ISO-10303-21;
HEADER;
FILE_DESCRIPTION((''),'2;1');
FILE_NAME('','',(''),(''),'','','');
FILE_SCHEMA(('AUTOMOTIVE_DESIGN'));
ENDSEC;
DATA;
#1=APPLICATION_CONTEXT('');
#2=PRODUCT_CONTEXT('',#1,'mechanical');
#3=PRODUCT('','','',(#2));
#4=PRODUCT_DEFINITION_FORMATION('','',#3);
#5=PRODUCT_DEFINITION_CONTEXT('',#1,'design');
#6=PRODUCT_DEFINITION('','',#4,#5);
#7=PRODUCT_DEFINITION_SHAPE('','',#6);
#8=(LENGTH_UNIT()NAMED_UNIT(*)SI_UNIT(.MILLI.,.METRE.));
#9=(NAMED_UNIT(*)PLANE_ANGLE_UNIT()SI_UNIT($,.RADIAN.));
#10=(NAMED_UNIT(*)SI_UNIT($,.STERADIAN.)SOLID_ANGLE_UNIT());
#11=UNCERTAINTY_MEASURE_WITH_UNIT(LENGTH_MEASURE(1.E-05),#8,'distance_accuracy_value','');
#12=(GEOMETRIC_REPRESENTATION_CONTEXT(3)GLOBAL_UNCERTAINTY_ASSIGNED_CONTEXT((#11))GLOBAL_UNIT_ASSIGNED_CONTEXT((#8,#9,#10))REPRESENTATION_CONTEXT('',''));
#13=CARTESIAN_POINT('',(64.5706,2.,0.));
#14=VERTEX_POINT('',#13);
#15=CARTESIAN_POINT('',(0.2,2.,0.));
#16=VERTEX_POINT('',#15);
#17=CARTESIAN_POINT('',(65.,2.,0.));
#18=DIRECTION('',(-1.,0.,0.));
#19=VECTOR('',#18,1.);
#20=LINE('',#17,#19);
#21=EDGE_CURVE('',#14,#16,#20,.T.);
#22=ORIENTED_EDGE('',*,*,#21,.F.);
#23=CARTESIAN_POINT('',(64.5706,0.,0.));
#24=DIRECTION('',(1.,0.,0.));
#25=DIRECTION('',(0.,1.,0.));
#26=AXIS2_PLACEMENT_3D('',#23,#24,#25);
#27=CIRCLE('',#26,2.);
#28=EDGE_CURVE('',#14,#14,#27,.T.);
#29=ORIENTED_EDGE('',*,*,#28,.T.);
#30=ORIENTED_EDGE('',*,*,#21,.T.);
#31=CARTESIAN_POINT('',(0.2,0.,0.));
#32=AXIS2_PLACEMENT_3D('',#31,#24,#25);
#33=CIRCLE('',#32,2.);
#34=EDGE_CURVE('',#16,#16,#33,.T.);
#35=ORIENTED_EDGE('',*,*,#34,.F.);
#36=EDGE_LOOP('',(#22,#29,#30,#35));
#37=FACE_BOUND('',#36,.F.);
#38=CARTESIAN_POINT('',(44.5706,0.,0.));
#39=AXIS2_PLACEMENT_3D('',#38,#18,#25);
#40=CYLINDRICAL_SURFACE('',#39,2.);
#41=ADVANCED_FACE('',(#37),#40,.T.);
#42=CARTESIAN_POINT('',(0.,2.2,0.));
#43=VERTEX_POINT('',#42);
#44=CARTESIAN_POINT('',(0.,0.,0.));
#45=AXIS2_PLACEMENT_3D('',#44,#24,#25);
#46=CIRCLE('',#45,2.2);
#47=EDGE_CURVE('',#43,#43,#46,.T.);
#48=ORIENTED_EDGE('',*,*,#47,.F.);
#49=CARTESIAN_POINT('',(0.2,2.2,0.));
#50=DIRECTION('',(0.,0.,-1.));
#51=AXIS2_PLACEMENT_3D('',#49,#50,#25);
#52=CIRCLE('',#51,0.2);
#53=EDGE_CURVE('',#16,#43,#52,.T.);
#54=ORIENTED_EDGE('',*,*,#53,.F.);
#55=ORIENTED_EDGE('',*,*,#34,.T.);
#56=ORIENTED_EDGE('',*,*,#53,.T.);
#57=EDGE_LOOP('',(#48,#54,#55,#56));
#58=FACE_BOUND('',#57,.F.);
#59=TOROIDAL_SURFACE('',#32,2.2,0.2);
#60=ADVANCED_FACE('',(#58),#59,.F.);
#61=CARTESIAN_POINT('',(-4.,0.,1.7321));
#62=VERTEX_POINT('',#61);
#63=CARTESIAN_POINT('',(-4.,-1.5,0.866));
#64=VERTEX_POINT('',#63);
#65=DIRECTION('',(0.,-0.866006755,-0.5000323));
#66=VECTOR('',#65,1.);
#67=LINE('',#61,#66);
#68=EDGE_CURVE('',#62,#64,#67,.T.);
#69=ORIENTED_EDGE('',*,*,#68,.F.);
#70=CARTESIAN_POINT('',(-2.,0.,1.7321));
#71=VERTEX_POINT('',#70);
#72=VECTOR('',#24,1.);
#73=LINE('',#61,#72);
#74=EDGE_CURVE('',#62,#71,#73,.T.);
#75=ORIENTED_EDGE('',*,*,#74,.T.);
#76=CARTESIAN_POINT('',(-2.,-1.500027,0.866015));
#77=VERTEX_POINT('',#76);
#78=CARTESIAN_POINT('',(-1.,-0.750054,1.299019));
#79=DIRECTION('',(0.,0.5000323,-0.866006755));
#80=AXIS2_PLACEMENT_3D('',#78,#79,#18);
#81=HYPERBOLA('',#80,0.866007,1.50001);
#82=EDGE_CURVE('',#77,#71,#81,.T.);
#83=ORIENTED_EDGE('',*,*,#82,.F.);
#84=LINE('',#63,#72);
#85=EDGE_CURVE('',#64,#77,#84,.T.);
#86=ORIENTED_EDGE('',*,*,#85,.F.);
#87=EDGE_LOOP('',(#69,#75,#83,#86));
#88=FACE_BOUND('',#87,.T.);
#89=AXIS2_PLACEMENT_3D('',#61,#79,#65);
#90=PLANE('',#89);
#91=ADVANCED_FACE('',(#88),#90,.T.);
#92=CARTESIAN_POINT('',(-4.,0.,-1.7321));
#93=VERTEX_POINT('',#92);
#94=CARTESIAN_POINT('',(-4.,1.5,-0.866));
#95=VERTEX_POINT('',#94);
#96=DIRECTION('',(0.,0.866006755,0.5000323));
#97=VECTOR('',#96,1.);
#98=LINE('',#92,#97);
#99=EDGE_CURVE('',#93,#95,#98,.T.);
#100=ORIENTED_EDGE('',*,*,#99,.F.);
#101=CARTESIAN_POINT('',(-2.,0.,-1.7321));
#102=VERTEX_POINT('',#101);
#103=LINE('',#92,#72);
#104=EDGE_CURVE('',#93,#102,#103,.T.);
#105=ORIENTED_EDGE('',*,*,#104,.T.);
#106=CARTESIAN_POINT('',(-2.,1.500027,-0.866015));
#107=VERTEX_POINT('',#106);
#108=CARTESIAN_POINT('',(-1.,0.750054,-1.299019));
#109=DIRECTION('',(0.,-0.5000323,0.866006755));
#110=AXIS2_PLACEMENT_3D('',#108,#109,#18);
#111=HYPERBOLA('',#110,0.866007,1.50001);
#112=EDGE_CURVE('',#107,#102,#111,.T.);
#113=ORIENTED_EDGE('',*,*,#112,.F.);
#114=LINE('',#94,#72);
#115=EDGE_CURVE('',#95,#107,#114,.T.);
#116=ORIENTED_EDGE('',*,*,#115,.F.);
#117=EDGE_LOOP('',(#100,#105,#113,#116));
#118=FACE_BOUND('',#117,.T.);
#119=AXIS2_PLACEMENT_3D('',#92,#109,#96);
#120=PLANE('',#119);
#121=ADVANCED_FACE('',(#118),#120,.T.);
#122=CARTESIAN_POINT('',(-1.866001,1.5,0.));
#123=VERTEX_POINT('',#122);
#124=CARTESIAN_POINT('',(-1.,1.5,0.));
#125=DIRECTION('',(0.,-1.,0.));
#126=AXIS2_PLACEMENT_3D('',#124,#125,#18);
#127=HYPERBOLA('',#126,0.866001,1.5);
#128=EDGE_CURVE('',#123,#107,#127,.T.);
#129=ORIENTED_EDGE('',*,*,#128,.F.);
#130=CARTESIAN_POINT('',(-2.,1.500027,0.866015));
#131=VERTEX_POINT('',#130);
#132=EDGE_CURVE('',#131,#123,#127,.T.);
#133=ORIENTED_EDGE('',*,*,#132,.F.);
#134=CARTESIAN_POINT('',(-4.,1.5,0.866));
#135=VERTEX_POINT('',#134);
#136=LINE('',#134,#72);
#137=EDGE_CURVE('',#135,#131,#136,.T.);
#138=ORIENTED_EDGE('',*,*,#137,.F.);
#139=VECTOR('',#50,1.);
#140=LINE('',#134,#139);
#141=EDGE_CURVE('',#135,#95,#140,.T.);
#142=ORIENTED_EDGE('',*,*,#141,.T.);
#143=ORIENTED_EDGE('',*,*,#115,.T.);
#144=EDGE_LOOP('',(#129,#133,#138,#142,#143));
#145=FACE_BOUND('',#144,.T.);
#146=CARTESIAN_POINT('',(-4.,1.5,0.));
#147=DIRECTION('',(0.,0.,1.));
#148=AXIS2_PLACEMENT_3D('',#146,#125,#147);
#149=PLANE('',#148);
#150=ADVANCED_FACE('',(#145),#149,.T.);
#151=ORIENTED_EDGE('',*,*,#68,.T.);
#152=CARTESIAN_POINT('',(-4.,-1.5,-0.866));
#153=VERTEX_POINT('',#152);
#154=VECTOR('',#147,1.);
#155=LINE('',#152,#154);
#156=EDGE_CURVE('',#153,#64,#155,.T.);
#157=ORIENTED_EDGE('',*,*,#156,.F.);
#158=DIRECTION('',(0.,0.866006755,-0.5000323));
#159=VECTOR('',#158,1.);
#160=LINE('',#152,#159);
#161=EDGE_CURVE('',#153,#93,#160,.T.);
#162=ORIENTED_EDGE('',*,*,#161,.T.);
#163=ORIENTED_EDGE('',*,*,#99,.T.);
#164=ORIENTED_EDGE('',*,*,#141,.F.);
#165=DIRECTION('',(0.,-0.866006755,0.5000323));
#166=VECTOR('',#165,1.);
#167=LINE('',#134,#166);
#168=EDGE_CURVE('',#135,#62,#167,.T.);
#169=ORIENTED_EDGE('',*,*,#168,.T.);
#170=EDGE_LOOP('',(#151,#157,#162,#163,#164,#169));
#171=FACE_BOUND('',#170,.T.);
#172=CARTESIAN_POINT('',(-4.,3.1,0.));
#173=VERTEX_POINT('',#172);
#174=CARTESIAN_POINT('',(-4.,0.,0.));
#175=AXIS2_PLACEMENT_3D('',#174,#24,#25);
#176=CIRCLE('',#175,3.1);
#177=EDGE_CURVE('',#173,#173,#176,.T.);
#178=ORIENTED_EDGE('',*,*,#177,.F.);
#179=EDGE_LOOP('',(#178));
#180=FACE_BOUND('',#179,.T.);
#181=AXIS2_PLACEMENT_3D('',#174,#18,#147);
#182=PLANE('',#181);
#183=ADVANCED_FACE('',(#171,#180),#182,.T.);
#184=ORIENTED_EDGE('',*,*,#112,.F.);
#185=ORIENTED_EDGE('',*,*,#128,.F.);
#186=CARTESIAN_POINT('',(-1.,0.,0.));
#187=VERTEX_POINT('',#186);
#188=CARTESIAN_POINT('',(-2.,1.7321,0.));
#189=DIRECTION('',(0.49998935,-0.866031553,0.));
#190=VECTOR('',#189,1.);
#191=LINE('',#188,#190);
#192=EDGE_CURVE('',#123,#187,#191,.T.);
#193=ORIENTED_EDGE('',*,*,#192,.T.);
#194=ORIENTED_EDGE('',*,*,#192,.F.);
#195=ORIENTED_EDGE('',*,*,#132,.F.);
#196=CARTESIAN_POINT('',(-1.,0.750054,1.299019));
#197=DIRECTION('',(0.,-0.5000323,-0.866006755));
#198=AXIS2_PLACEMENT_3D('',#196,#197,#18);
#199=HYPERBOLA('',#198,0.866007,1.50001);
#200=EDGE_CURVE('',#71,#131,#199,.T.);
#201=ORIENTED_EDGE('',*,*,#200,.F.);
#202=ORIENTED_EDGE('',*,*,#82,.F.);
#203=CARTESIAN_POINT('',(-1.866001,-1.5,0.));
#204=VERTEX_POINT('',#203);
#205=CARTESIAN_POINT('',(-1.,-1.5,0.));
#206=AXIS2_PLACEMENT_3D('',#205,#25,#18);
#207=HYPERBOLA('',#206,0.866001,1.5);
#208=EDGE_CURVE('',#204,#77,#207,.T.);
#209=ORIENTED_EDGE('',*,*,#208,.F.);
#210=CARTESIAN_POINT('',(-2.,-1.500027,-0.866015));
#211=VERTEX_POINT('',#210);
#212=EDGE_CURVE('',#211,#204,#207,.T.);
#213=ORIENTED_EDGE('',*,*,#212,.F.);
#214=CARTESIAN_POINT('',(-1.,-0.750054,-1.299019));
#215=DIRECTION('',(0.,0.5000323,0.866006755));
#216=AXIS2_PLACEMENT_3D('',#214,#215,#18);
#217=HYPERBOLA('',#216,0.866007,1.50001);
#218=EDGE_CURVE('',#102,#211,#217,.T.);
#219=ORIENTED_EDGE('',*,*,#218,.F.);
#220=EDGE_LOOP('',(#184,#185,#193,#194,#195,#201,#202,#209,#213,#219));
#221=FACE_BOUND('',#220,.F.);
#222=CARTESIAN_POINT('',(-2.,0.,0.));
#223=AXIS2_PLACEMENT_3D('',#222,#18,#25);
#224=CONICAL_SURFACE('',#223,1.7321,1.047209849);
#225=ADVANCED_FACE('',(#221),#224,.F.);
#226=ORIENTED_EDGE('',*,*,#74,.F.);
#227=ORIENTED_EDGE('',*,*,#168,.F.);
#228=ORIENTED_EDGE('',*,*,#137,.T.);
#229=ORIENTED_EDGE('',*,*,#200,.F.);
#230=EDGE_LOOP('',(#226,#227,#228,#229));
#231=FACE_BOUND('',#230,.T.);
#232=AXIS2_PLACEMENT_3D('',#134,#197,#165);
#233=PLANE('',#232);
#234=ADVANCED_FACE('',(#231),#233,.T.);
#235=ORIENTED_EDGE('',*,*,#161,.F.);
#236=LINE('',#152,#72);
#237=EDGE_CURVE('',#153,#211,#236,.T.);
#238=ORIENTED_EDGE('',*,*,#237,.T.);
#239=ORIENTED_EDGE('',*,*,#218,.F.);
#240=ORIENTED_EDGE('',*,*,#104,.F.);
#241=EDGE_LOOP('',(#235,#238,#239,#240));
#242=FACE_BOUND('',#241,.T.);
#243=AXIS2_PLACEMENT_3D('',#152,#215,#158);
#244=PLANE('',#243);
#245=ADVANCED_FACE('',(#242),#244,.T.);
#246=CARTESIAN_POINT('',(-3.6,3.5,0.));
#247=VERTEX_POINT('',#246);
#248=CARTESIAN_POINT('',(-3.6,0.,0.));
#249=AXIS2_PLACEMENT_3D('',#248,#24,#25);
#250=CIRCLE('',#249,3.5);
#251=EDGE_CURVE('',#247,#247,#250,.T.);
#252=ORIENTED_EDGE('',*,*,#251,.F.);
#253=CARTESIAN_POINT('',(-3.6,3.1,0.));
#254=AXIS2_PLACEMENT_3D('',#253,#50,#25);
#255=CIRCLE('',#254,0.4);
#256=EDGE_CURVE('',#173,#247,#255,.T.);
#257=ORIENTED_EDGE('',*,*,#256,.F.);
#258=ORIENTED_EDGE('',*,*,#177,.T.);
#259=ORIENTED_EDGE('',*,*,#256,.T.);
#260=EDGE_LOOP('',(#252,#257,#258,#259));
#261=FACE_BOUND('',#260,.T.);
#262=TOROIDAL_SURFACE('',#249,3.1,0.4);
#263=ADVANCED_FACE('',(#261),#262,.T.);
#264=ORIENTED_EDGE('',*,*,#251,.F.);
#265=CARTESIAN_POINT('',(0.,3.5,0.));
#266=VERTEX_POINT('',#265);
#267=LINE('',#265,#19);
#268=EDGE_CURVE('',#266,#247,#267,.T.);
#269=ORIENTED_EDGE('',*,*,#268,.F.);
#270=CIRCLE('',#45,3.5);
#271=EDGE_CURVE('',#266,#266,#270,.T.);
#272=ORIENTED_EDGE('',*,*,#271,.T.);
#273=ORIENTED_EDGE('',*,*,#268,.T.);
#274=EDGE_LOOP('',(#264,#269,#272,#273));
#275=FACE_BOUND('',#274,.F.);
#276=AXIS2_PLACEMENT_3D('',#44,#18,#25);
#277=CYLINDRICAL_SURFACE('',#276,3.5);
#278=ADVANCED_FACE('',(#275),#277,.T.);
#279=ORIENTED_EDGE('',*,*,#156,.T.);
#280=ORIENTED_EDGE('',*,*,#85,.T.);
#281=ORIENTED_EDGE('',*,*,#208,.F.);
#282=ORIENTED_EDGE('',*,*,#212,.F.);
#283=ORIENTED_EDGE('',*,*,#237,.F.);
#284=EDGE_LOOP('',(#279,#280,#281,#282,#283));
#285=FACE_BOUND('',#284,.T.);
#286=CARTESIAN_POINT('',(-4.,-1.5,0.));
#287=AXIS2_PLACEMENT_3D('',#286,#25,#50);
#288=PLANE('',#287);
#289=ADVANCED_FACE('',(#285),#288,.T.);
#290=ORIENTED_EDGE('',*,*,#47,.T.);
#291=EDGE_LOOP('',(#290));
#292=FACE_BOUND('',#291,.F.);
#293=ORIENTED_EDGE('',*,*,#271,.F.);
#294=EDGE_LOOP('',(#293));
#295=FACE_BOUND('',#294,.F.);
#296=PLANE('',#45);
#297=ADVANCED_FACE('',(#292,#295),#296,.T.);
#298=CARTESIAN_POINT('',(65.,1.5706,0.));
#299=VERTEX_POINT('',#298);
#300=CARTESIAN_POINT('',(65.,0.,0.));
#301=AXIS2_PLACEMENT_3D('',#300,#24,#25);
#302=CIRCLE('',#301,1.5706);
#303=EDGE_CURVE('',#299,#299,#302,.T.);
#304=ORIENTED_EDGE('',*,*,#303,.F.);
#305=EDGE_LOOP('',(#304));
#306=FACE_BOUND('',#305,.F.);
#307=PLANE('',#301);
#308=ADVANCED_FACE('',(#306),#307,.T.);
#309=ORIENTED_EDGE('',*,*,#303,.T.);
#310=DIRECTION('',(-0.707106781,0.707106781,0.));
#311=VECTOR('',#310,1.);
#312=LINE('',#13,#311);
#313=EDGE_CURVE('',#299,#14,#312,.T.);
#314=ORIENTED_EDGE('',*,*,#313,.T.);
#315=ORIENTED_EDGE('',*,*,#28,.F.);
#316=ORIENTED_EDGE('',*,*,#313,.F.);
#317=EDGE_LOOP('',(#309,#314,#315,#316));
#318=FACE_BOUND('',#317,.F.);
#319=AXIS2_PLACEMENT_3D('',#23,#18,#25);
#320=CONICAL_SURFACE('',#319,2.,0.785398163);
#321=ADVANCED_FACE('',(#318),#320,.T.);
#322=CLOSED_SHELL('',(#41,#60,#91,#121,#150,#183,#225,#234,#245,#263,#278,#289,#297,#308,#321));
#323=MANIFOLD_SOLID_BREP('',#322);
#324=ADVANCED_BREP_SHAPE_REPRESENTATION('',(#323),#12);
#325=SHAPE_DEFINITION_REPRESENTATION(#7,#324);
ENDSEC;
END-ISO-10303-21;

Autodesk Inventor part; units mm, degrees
ref_plane "YZ Plane" through (0, 0, 0) normal (1, 0, 0) x (0, 1, 0)
ref_plane "XZ Plane" through (0, 0, 0) normal (0, 1, 0) x (-1, 0, 0)
sketch "Sketch1" plane through (0, 0, 0) normal (0, 0, 1) x (1, 0, 0)
  line L0 (-1, 0) -> (65, 0)
  line L1 (65, 0) -> (65, 2)
  line L2 (65, 2) -> (45, 2)
  line L3 (45, 2) -> (44.5706, 2)
  line L4 (44.5706, 2) -> (0, 2)
  line L5 (0, 2) -> (0, 3.5)
  line L6 (0, 3.5) -> (-4, 3.5)
  line L7 (-4, 3.5) -> (-4, 1.7321)
  line L8 (-4, 1.7321) -> (-2, 1.7321)
  line L9 (-2, 1.7321) -> (-1, 0)
  line L10 (-17.8, 0) -> (78.8, 0) projected
  line L11 (0, -0.7) -> (0, 4.2) projected
  line L12 (45, 2) -> (0, 2) construction
  dimension "d0" = 20
  dimension "d1" = 0.4294
  dimension "d2" = 4
  dimension "d3" = 2
  dimension "d4" = 60
  dimension "d5" = 4
  dimension "d6" = 4
  dimension "d7" = 3.4641
  dimension "d8" = 7
  dimension "d19" = 65
revolve "Body" add sketch "Sketch1" angle 360 about axis through (-1, 0, 0) along (1, 0, 0)
sketch "Sketch2" plane through (-4, 0, 0) normal (-1, 0, 0) x (0, 0, 1)
  circle A0 centre (0, 0) radius 1.7321 projected
  line L0 (0, -4.9) -> (0, 4.9) projected
  line L1 (-4.9, 0) -> (4.9, 0) projected
  line L2 (1.7321, 0) -> (0.866, -1.5)
  line L3 (0.866, -1.5) -> (-0.866, -1.5)
  line L4 (-0.866, -1.5) -> (-1.7321, 0)
  line L5 (-1.7321, 0) -> (-0.866, 1.5)
  line L6 (-0.866, 1.5) -> (0.866, 1.5)
  line L7 (0.866, 1.5) -> (1.7321, 0)
extrude "Slot" add sketch "Sketch2" against normal up to next contours L7 A0 | A0 L2 | L6 L0 A0 | A0 L0 L3 | L0 L6 A0 | A0 L3 L0 | L4 A0 | A0 L5
fillet "Fillet2" radius 0.4 1 edges at (-4, -3.5, 0)
thread "Thread" size "M4x0.7" class "6g" standard "ISO Metric profile" length 20
chamfer "Chamfer1" distance 0.4294 distance2 0.4294 1 edges at (65, -2, 0) measured on face at (65, -0.527, -0.8312)
fillet "Fillet1" radius 0.2 1 edges at (0, -2, 0)
ref_plane "Work Plane1" through (30, 0, 0) normal (0, -0.5, 0.866) x (1, 0, 0)
equation "\"d0\" = GEL"
equation "\"d1\" = GAL"
equation "\"d2\" = KOH"
equation "\"d3\" = INTI"
equation "\"d5\" = GD"
equation "\"d6\" = BDM"
equation "\"d7\" = 1.1547 * SW"
equation "\"d8\" = KOD"
equation "\"d19\" = NLG"
equation "\"d16\" = RR"
equation "\"d12\" = GEL"
equation "\"d14\" = -0.5 * SPD + 0.5 * GD"
equation "\"d15\" = GUL"
equation "\"d29\" = R"
equation "\"GD\" = NND"
equation "\"NLG\" = 65"
equation "\"GEL\" = 20"
equation "\"KOD\" = 7"
equation "\"KOH\" = 4"
equation "\"INTI\" = 2"
equation "\"GAL\" = 0.61345 * PTC"
equation "\"GUL\" = 0.61345 * PTC"
equation "\"BDM\" = NND"
equation "\"SW\" = 3"
equation "\"RR\" = 0.4"
equation "\"SPD\" = 3.14117"
equation "\"d28\" = R"
equation "\"R\" = 0.2"
equation "\"TOA\" = 30deg"
equation "\"THREADDIA\" = 4"
equation "\"KOD1\" = KOD"
equation "\"PTC\" = 0.7"
equation "\"NND\" = 4"
equation "\"E0\" = 1.155 * SW"
equation "\"GD1\" = THREADDIA - 1.2269 * PTC"
properties part number "ANSI B18.3.1M - M4x0.7 x 65, BSHCSM" material "Steel, Mild"
